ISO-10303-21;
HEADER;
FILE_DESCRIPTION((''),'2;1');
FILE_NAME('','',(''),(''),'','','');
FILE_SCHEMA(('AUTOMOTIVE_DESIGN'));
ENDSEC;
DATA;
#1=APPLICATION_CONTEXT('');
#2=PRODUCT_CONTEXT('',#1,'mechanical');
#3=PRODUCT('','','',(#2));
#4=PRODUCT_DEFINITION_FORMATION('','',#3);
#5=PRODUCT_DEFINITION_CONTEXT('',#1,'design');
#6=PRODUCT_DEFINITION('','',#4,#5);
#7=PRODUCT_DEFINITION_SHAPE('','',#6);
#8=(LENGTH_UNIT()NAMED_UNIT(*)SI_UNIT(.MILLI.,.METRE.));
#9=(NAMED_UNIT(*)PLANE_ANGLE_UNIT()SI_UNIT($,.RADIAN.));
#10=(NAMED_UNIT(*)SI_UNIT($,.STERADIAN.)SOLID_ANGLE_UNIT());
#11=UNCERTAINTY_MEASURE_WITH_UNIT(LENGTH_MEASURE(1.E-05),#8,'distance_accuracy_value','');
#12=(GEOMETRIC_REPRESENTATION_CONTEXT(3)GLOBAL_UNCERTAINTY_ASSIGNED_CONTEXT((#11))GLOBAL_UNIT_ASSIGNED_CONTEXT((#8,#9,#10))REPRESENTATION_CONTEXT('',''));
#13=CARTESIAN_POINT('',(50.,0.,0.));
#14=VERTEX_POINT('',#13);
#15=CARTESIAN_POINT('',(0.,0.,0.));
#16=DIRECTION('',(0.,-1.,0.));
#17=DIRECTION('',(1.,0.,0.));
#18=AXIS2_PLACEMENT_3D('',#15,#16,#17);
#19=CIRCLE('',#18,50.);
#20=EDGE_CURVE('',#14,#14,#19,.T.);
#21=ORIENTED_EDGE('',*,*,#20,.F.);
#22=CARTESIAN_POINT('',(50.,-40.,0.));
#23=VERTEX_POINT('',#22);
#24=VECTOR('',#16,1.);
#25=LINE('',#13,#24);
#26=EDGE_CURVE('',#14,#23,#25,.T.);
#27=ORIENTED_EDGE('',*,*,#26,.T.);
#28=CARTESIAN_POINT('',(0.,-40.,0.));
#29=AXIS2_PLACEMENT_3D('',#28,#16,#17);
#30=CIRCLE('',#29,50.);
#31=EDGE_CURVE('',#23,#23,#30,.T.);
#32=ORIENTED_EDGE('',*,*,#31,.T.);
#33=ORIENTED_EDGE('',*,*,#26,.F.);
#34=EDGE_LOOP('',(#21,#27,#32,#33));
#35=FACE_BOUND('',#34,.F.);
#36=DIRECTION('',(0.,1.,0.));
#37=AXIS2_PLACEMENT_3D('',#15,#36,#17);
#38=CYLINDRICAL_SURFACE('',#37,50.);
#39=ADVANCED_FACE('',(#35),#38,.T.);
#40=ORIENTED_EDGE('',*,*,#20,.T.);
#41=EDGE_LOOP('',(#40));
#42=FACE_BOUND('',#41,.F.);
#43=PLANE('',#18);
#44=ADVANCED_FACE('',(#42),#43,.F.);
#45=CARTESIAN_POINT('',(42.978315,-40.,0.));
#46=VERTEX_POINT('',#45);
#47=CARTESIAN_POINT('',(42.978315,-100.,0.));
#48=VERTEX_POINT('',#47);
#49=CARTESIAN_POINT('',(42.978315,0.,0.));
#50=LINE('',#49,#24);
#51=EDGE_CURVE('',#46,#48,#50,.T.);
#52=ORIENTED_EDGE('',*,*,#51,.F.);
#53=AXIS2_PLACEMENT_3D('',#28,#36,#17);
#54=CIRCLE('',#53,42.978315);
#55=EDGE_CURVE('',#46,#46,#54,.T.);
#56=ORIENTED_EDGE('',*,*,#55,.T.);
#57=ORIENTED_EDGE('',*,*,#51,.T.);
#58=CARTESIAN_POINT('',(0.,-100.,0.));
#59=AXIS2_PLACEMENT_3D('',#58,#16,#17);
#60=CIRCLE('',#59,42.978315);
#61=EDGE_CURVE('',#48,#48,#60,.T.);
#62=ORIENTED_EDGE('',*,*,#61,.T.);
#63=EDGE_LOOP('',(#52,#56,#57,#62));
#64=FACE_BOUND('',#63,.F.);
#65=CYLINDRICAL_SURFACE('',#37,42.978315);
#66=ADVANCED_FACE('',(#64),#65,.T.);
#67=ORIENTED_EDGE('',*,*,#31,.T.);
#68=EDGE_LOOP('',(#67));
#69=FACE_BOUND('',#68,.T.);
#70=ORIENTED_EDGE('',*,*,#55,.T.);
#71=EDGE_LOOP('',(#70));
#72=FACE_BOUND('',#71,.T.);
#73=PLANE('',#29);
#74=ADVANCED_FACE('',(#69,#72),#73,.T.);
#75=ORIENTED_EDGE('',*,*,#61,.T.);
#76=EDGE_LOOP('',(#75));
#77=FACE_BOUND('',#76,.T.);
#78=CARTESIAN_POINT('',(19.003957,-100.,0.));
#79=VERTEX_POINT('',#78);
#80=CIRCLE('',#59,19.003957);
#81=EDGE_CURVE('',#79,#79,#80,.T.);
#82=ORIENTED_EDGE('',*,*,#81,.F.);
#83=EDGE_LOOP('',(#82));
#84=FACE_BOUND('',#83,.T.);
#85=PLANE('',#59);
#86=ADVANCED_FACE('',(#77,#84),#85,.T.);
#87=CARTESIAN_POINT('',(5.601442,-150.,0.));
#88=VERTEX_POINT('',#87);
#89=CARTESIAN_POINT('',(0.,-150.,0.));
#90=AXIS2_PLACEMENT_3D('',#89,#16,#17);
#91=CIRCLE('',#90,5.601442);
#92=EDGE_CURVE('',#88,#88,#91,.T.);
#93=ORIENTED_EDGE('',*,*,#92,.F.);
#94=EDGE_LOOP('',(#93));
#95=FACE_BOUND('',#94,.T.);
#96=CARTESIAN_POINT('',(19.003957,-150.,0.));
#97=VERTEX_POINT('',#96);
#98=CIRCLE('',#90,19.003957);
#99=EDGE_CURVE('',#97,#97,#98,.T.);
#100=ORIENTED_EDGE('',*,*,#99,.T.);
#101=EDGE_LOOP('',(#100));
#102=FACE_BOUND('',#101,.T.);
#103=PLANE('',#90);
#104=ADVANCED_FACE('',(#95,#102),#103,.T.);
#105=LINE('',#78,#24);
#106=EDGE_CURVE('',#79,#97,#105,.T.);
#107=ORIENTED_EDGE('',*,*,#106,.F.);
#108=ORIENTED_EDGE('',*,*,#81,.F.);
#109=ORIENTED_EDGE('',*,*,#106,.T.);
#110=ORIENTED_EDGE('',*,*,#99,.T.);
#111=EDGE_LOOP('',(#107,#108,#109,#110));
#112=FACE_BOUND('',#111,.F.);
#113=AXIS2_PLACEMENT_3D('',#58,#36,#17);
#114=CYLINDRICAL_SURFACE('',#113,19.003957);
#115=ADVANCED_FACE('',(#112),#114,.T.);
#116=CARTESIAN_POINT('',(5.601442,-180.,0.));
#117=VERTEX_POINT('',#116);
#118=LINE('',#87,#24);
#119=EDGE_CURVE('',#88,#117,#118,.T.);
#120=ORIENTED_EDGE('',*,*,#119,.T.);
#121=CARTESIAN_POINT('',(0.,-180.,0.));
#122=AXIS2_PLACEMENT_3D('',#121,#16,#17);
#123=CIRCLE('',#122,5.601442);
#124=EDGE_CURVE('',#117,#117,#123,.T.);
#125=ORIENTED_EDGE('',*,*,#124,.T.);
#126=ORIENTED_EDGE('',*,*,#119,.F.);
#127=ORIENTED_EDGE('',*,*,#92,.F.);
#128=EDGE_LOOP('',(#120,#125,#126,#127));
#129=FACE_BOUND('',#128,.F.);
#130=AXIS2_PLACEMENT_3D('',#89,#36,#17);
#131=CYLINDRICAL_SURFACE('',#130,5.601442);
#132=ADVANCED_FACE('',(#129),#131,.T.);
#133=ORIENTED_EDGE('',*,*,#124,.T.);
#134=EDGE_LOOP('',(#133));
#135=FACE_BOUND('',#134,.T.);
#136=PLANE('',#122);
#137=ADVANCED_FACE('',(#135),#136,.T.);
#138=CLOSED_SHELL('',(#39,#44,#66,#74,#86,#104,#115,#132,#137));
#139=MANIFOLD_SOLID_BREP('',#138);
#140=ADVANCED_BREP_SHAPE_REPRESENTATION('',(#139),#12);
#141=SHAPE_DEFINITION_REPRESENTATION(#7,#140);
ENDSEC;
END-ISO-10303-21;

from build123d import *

# Parameters (mm, degrees)
F0_R     = 50
F1_DEPTH = 40
F2_R     = 42.978315
F3_DEPTH = 100
F4_R     = 19.003957
F5_DEPTH = 50
F6_R     = 5.601442
F7_DEPTH = 30


with BuildPart() as f1:
    # F0 (on Front) → F1 (new body)
    with BuildSketch(Plane.XZ):
        Circle(F0_R)
    extrude(amount=F1_DEPTH)

    # F2 (on Front) → F3 (join)
    with BuildSketch(Plane.XZ):
        Circle(F2_R)
    extrude(amount=F3_DEPTH)

    # F4 (on face) → F5 (join)
    with BuildSketch(Plane.XZ.offset(100)):
        Circle(F4_R)
    extrude(amount=F5_DEPTH)

    # F6 (on face) → F7 (join)
    with BuildSketch(Plane.XZ.offset(150)):
        Circle(F6_R)
    extrude(amount=F7_DEPTH)


solid = f1.part
